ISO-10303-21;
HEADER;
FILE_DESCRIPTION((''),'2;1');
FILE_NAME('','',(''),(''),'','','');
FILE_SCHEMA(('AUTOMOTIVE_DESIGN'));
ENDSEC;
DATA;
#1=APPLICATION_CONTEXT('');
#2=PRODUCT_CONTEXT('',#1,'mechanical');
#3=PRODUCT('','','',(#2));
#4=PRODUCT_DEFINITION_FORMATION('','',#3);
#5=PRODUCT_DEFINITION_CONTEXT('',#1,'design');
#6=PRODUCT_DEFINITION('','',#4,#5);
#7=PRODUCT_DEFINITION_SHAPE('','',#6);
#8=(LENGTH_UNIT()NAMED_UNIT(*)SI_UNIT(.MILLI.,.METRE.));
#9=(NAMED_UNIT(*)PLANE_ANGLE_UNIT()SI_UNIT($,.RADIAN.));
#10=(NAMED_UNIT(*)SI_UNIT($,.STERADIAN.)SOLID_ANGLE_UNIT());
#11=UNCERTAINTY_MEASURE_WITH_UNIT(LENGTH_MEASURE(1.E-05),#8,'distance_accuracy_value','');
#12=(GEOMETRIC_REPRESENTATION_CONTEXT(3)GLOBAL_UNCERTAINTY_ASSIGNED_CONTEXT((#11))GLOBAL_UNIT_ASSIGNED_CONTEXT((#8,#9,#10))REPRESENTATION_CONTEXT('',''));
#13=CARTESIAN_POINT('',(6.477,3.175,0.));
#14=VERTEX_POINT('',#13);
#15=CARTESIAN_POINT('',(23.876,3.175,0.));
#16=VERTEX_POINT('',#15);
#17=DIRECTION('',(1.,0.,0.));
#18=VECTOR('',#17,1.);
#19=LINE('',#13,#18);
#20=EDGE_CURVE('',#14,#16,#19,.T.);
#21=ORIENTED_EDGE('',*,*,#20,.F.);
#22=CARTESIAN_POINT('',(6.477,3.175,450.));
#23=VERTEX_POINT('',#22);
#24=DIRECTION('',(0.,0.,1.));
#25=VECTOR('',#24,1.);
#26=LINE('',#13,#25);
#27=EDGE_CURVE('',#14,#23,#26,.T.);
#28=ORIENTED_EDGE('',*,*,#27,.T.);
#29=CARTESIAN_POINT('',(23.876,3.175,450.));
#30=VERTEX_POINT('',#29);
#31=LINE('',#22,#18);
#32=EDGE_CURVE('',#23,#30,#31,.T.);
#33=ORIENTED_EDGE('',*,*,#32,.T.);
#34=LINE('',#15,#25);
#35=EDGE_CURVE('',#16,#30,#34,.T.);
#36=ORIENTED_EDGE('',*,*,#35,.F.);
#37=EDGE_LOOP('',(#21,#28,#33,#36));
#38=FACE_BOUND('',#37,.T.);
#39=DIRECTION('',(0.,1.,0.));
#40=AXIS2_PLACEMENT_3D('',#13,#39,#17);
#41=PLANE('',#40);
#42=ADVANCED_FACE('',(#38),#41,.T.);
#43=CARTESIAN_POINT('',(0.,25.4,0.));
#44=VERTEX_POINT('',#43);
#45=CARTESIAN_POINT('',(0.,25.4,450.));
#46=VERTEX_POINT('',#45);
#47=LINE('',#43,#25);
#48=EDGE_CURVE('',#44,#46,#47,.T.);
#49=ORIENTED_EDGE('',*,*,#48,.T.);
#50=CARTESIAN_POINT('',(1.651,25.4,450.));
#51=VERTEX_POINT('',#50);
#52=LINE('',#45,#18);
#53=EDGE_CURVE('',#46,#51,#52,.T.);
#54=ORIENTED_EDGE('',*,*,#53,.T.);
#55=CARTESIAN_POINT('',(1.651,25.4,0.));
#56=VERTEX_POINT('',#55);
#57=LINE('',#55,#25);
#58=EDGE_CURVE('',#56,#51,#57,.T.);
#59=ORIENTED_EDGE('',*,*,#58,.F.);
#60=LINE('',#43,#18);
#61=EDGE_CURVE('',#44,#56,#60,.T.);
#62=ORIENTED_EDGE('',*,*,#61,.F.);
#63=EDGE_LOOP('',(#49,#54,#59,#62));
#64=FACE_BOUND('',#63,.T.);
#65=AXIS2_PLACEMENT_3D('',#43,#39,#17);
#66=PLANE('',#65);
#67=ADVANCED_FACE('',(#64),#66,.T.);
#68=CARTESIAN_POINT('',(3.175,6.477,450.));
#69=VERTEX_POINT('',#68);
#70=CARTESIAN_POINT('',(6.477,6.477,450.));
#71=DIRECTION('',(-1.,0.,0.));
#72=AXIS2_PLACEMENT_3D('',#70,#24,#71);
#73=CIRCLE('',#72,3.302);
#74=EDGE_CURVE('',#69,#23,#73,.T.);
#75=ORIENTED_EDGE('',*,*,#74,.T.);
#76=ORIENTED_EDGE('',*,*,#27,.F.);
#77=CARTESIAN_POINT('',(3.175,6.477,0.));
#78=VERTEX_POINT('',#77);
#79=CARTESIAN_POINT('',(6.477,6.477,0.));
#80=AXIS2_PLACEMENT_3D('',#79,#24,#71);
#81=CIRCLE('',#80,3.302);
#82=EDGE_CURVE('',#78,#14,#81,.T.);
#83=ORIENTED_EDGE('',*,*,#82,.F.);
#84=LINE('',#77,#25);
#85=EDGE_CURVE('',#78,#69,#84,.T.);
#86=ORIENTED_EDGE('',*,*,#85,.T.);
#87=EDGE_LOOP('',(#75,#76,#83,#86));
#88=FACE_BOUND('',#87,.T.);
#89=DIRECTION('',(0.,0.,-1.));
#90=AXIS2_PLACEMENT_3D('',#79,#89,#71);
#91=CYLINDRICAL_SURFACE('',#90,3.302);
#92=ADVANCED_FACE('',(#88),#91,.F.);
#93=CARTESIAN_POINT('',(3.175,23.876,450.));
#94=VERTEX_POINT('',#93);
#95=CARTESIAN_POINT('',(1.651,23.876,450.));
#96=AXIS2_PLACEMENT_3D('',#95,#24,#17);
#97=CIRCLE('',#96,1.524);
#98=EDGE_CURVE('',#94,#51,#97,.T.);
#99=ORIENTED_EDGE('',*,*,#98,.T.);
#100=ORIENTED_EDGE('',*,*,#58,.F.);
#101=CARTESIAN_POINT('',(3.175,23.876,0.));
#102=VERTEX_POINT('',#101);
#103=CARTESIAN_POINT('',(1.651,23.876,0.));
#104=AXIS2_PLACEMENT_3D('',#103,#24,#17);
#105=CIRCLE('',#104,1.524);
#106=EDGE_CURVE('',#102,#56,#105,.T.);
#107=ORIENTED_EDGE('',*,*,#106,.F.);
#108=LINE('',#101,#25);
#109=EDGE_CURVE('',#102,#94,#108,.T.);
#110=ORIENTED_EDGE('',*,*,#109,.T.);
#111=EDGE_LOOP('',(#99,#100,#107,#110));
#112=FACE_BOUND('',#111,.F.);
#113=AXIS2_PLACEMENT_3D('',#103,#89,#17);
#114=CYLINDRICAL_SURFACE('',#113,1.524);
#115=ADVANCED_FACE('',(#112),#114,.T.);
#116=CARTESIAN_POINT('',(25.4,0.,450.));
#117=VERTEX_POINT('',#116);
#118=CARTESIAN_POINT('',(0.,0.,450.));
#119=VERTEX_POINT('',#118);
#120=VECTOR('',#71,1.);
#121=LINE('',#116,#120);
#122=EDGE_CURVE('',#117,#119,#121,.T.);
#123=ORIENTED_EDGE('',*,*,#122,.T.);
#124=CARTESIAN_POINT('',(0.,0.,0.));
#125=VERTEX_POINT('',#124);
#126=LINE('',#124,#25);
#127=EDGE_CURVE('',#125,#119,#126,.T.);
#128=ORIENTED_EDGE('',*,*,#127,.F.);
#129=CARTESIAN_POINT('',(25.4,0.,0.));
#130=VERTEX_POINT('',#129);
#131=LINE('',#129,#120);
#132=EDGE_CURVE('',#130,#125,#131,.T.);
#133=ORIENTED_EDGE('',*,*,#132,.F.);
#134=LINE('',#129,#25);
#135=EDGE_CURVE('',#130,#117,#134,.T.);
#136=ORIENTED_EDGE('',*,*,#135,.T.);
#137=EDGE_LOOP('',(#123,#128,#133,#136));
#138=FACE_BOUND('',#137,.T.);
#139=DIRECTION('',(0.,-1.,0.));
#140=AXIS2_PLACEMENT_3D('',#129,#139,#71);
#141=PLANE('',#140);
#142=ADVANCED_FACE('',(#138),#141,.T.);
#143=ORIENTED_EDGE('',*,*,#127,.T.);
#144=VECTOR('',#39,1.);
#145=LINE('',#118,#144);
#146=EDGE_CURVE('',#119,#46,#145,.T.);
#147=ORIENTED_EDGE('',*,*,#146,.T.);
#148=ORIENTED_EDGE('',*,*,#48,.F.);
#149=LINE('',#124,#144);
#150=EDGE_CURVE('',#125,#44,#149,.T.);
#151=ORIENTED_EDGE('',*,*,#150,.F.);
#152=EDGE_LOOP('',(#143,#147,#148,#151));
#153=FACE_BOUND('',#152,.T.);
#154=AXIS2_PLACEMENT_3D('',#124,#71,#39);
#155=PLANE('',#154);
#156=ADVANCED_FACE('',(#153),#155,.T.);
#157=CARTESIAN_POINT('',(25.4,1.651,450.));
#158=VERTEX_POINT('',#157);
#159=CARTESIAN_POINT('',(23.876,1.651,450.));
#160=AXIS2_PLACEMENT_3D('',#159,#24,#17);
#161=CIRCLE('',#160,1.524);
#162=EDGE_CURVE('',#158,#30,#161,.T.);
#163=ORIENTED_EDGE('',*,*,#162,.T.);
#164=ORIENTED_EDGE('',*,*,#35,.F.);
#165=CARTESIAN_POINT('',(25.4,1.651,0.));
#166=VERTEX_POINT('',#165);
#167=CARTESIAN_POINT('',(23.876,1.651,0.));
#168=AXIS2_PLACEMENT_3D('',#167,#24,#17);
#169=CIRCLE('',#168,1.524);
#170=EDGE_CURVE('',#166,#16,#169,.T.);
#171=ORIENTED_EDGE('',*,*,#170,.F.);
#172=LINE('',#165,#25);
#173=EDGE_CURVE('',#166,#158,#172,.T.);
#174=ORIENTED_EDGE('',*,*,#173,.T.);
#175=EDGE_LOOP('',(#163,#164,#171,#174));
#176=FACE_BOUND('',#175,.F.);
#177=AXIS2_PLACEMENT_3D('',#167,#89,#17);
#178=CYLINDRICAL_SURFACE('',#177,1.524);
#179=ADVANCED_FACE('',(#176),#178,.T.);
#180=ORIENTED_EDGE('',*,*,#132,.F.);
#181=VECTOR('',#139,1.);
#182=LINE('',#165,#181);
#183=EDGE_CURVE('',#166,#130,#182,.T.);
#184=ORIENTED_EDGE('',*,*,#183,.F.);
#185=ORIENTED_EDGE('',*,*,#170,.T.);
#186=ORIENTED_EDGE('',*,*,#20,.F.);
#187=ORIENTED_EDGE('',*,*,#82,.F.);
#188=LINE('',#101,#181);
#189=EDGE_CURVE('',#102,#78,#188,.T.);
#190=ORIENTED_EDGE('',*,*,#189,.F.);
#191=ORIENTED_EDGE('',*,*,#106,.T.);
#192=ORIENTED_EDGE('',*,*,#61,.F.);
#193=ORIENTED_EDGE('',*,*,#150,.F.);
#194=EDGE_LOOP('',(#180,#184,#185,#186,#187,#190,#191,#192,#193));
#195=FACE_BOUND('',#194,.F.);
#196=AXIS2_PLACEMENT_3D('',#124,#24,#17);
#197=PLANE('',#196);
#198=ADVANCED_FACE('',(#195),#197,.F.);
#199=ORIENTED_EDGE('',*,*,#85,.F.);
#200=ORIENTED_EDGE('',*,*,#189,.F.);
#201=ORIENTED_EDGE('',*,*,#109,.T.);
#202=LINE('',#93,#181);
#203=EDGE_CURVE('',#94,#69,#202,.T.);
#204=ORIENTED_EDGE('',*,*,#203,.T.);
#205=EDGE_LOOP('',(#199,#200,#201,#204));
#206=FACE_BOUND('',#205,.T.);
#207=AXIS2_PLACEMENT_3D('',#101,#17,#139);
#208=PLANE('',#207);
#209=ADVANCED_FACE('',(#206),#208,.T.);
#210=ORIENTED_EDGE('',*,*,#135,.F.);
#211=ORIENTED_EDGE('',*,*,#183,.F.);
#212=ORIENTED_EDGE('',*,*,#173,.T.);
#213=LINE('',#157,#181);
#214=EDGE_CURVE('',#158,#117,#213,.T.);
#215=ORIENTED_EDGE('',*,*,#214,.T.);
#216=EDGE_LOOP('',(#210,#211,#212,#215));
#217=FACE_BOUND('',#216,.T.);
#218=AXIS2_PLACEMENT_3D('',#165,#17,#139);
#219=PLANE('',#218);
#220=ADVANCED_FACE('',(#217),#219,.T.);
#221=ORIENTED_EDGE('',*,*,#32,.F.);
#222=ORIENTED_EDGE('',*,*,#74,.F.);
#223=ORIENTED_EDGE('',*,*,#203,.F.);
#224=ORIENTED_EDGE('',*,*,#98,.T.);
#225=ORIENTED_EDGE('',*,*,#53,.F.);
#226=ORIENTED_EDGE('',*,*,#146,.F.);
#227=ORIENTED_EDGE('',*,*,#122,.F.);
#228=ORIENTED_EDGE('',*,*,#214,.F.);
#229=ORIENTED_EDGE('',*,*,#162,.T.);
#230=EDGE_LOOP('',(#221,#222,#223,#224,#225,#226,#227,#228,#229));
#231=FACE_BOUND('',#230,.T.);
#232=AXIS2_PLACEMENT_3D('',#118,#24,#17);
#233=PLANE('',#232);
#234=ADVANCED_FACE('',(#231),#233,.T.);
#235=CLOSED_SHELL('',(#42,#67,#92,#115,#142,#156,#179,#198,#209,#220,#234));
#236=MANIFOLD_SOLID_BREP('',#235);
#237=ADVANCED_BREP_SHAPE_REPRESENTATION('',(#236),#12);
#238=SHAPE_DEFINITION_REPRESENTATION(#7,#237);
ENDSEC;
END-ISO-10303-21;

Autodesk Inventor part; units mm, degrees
ref_plane "YZ Plane" through (0, 0, 0) normal (1, 0, 0) x (0, 1, 0)
ref_plane "Start Plane" through (0, 0, 0) normal (0, 0, 1) x (1, 0, 0)
ref_plane "End Plane" through (0, 0, 450) normal (0, 0, 1) x (1, 0, 0)
sketch "Sketch" plane through (0, 0, 0) normal (0, 0, 1) x (1, 0, 0)
  line L0 (25.4, 0) -> (0, 0)
  line L1 (0, 0) -> (0, 25.4)
  line L2 (0, 25.4) -> (1.651, 25.4)
  line L3 (3.175, 23.876) -> (3.175, 6.477)
  line L4 (6.477, 3.175) -> (23.876, 3.175)
  line L5 (25.4, 1.651) -> (25.4, 0)
  line L6 (0, -11.0414) -> (0, 31.5385) construction
  line L7 (-11.0414, 0) -> (31.5385, 0) construction
  arc A0 (3.175, 6.477) -> (6.477, 3.175) centre (6.477, 6.477) ccw
  arc A1 (3.175, 23.876) -> (1.651, 25.4) centre (1.651, 23.876) ccw
  arc A2 (25.4, 1.651) -> (23.876, 3.175) centre (23.876, 1.651) ccw
  line L8 (0, 40.0545) -> (0, -19.5574) construction
  line L9 (-19.5574, 0) -> (40.0545, 0) construction
  point P0 (3.175, 25.4)
  point P1 (3.175, 3.175)
  point P2 (25.4, 3.175)
  dimension "d0" = 25.4
  dimension "d1" = 25.4
  dimension "d2" = 3.175
  dimension "d3" = 3.175
  dimension "d10" = 0
  dimension "d11" = 0
  dimension "d14" = 3.302
  dimension "d15" = 1.524
extrude "Body" add sketch "Sketch" along normal up to surface (450 mm away) from surface at 0
sketch "Sketch3" plane through (0, 0, 0) normal (0, 0, 1) x (1, 0, 0)
  line L0 (0, 0) -> (10, 0)
ref_plane "Work Plane3" through (0, 0, 0) normal (0, -1, 0) x (1, 0, 0)
sketch "Sketch4" plane through (0, 0, 0) normal (0, -1, 0) x (1, 0, 0)
  line L0 (-2, 0) -> (12, 0) projected
  line L1 (-2, 450) -> (12, 450) projected
  dimension "d17" = 450
equation "\"d0\" = G_H"
equation "\"d1\" = G_H"
equation "\"d2\" = G_T"
equation "\"d3\" = G_T"
equation "\"d14\" = G_IR"
equation "\"d15\" = G_ER"
equation "\"d4\" = G_L"
equation "\"G_H\" = 25.4"
equation "\"G_T\" = 3.175"
equation "\"G_ER\" = 1.524"
equation "\"G_IR\" = 3.302"
equation "\"G_L\" = d17"
equation "\"ex\" = 0"
equation "\"G_OFFSET_START\" = 0"
equation "\"G_OFFSET_END\" = 0"
equation "\"d13\" = G_OFFSET_END + B_L"
equation "\"B_L\" = 450"
properties part number "AISC - L 1 x 1 x 1/8 - 17.717" material "Steel, Mild"
